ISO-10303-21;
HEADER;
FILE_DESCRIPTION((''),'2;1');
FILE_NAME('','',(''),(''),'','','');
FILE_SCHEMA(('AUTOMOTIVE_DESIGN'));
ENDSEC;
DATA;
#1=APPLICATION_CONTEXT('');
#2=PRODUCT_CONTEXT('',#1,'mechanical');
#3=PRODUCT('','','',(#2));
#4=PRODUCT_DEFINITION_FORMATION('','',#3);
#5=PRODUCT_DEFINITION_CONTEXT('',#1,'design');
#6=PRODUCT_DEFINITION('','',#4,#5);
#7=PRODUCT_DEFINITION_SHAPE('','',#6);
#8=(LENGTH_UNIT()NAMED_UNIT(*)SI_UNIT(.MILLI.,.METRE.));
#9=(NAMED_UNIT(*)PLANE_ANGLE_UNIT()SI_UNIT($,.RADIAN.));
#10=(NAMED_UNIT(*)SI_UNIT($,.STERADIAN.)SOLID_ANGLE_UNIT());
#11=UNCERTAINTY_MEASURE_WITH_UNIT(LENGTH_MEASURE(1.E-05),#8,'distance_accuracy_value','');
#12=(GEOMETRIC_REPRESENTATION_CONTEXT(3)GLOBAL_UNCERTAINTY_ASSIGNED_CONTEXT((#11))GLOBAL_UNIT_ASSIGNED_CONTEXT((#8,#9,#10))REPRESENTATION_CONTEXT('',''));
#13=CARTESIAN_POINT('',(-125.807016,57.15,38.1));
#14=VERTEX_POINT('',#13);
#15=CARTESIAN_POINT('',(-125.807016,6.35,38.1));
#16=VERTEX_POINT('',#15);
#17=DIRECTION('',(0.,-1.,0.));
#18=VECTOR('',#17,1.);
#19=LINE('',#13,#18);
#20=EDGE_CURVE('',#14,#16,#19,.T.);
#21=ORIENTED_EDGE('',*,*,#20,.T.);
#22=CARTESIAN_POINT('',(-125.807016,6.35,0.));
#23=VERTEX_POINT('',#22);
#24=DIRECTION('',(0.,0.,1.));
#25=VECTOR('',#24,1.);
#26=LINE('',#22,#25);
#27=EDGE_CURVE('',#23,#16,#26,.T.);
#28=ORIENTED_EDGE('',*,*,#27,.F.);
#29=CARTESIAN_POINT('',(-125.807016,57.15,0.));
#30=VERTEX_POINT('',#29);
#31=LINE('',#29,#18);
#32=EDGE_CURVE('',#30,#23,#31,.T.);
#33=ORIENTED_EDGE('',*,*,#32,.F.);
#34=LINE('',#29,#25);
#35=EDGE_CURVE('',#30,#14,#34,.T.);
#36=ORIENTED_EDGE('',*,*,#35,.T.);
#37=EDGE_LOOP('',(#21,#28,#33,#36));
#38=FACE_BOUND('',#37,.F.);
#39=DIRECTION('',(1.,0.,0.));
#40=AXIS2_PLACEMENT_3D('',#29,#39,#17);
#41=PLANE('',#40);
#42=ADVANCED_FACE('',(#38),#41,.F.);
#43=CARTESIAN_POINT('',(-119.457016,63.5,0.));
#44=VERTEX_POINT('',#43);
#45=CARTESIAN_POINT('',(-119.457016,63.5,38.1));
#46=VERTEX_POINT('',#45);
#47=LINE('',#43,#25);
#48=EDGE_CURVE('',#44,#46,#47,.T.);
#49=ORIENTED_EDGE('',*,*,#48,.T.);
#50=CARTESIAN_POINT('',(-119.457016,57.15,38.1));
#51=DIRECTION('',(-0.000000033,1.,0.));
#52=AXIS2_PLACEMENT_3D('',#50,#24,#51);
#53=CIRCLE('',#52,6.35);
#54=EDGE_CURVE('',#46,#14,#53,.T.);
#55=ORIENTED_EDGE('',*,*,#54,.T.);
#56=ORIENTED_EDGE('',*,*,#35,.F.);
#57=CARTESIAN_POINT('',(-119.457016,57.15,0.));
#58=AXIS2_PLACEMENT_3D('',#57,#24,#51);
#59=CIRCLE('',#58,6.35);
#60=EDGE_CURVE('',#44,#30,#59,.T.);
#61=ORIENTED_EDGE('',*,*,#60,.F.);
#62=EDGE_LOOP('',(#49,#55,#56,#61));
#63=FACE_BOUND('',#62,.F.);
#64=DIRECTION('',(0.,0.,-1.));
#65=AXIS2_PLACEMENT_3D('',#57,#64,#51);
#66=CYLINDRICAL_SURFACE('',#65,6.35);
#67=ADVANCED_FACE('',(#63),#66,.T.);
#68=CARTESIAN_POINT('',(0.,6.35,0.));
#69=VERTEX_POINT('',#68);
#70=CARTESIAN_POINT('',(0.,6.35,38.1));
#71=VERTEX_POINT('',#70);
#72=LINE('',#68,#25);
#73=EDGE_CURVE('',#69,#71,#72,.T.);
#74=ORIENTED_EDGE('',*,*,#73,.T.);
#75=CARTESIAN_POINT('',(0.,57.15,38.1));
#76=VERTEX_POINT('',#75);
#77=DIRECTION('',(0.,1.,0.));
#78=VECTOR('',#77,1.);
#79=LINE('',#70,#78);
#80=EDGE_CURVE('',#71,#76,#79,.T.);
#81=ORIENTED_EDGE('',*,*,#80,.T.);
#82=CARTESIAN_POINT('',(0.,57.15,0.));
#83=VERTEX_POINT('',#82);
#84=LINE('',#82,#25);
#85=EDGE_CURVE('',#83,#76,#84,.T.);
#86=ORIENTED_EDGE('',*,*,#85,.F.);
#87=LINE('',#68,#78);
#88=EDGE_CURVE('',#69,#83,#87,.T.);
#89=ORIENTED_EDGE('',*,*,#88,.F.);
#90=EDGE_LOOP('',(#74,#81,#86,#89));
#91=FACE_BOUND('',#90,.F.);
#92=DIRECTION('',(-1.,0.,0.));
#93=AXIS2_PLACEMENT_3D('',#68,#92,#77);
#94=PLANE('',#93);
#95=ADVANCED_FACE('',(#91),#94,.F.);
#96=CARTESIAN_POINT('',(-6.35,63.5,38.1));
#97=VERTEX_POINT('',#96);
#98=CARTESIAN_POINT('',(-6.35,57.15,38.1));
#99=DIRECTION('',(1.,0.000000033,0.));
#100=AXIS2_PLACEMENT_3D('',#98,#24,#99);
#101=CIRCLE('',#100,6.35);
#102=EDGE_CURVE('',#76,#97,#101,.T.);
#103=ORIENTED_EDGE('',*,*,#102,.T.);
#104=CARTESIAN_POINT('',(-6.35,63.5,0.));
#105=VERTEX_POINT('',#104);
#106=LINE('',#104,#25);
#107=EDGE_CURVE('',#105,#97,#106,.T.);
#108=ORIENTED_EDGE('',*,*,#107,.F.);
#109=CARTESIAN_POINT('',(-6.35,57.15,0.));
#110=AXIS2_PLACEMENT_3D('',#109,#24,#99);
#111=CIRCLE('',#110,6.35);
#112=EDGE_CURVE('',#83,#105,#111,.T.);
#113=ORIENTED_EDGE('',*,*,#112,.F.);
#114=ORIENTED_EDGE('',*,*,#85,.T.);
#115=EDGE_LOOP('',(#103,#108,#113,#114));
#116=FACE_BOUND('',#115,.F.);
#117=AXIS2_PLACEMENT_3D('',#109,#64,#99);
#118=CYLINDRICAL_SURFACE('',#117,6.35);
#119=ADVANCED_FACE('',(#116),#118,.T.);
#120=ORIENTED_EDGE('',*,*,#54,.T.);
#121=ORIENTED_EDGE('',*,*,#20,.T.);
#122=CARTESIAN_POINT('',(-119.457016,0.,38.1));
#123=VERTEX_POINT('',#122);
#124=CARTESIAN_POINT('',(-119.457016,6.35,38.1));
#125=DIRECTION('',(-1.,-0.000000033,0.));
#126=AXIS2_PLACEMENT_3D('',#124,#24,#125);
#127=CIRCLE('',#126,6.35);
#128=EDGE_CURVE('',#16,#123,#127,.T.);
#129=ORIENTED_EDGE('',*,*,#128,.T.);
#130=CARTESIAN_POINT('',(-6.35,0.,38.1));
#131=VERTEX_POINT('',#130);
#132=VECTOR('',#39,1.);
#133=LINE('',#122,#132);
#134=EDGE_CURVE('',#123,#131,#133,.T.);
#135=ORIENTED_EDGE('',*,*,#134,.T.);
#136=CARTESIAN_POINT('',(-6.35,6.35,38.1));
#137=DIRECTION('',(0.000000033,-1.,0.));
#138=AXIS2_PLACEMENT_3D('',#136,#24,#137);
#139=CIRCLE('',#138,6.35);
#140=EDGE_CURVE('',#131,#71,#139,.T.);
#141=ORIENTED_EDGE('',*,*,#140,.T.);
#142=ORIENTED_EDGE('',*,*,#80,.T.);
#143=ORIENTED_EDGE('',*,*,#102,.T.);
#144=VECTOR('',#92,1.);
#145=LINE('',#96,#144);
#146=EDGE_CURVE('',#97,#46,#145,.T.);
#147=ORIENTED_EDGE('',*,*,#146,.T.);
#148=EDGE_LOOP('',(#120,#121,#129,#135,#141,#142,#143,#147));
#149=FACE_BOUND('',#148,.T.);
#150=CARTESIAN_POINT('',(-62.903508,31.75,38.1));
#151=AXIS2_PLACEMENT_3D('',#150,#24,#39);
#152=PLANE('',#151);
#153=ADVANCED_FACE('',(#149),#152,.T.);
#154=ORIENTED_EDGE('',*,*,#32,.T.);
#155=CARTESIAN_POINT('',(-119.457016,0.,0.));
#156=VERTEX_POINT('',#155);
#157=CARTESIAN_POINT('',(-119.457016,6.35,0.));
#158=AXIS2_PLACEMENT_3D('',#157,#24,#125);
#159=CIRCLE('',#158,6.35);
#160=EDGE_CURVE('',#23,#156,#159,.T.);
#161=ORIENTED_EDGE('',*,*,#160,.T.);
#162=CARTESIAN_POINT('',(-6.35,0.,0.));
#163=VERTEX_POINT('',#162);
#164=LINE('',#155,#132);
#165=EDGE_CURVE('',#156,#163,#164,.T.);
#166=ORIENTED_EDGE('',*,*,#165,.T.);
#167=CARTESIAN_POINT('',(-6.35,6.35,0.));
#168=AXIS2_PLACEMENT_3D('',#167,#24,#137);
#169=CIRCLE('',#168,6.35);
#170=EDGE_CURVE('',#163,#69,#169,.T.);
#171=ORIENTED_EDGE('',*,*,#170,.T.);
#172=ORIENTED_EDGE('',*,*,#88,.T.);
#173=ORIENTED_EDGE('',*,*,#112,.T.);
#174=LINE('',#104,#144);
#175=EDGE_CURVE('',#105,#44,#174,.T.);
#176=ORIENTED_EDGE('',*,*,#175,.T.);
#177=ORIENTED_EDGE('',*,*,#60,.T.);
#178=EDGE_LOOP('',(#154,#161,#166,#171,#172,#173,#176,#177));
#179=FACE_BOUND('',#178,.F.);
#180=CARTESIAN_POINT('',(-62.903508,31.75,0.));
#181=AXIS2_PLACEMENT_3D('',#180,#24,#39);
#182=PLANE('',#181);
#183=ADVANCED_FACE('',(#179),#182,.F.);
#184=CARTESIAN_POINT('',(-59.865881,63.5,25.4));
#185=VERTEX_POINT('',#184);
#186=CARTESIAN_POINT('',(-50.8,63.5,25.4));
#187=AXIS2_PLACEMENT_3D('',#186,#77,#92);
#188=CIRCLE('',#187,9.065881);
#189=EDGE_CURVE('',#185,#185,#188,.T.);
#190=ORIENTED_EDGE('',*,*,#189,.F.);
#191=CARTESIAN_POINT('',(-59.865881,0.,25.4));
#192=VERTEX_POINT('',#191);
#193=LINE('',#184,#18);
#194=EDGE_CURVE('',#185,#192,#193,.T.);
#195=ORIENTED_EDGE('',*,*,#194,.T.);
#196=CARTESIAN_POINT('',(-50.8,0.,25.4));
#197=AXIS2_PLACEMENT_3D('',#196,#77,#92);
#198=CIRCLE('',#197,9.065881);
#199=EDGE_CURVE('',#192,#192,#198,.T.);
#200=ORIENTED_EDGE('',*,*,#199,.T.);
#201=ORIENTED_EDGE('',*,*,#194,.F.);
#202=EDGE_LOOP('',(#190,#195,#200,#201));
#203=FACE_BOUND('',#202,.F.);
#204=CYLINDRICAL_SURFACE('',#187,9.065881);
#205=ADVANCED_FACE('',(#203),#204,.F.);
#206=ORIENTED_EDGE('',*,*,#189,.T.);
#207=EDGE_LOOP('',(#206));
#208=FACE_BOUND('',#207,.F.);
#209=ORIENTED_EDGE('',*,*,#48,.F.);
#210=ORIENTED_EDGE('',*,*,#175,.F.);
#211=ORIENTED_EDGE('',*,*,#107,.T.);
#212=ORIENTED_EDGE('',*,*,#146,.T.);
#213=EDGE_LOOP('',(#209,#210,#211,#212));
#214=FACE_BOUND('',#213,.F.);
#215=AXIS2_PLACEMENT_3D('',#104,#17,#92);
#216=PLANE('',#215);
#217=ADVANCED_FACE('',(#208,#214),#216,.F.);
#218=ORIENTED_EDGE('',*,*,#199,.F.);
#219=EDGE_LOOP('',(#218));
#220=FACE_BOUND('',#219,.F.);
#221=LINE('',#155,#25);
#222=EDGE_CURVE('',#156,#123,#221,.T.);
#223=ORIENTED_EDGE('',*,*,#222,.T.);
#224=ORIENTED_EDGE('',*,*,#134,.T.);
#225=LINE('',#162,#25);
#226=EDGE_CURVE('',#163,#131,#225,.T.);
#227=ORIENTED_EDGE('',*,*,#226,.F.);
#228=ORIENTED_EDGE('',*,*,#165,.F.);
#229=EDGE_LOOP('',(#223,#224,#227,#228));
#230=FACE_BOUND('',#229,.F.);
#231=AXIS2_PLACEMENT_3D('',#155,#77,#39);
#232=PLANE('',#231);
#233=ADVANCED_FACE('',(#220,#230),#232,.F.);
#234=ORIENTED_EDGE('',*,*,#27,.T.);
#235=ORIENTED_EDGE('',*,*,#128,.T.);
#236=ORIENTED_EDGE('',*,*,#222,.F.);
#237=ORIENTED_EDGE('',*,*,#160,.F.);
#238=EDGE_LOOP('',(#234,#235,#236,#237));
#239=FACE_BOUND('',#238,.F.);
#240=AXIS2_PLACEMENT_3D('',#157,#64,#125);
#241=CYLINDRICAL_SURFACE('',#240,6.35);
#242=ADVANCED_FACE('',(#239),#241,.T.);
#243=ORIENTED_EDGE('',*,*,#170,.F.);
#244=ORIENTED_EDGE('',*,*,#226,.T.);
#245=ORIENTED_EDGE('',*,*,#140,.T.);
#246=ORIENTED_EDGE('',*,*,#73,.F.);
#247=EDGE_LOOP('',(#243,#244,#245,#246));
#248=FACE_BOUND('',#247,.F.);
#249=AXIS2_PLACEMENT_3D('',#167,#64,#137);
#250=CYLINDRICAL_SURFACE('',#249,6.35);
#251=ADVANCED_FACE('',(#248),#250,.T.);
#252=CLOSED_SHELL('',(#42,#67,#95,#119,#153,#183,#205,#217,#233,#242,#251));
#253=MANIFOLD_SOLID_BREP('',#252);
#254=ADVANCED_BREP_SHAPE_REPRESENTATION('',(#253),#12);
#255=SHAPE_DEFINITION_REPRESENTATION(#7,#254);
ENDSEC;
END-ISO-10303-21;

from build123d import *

# Parameters (mm, degrees)
F1_DEPTH = 38.1
F2_R     = 9.065881
F3_DEPTH = 63.501


with BuildPart() as f1:
    # F0 (on Top) → F1 (new body)
    with BuildSketch(Plane.XY):
        with BuildLine():
            Line((-119.457016, 0), (-6.35, 0))
            ThreePointArc((-6.35, 0), (-1.859872, 1.859872), (0, 6.35))
            Line((0, 6.35), (0, 57.15))
            ThreePointArc((0, 57.15), (-1.859872, 61.640128), (-6.35, 63.5))
            Line((-6.35, 63.5), (-119.457016, 63.5))
            ThreePointArc((-119.457016, 63.5), (-123.947144, 61.640128), (-125.807016, 57.15))
            Line((-125.807016, 57.15), (-125.807016, 6.35))
            ThreePointArc((-125.807016, 6.35), (-123.947144, 1.859872), (-119.457016, 0))
        make_face()
    extrude(amount=F1_DEPTH)

    # F2 (on face) → F3 (cut, through all)
    with BuildSketch(Plane(origin=(0, 63.5, 0), x_dir=(-1, 0, 0), z_dir=(0, 1, 0))):
        with Locations((50.8, 25.4)):
            Circle(F2_R)
    extrude(amount=-F3_DEPTH, mode=Mode.SUBTRACT)


solid = f1.part
